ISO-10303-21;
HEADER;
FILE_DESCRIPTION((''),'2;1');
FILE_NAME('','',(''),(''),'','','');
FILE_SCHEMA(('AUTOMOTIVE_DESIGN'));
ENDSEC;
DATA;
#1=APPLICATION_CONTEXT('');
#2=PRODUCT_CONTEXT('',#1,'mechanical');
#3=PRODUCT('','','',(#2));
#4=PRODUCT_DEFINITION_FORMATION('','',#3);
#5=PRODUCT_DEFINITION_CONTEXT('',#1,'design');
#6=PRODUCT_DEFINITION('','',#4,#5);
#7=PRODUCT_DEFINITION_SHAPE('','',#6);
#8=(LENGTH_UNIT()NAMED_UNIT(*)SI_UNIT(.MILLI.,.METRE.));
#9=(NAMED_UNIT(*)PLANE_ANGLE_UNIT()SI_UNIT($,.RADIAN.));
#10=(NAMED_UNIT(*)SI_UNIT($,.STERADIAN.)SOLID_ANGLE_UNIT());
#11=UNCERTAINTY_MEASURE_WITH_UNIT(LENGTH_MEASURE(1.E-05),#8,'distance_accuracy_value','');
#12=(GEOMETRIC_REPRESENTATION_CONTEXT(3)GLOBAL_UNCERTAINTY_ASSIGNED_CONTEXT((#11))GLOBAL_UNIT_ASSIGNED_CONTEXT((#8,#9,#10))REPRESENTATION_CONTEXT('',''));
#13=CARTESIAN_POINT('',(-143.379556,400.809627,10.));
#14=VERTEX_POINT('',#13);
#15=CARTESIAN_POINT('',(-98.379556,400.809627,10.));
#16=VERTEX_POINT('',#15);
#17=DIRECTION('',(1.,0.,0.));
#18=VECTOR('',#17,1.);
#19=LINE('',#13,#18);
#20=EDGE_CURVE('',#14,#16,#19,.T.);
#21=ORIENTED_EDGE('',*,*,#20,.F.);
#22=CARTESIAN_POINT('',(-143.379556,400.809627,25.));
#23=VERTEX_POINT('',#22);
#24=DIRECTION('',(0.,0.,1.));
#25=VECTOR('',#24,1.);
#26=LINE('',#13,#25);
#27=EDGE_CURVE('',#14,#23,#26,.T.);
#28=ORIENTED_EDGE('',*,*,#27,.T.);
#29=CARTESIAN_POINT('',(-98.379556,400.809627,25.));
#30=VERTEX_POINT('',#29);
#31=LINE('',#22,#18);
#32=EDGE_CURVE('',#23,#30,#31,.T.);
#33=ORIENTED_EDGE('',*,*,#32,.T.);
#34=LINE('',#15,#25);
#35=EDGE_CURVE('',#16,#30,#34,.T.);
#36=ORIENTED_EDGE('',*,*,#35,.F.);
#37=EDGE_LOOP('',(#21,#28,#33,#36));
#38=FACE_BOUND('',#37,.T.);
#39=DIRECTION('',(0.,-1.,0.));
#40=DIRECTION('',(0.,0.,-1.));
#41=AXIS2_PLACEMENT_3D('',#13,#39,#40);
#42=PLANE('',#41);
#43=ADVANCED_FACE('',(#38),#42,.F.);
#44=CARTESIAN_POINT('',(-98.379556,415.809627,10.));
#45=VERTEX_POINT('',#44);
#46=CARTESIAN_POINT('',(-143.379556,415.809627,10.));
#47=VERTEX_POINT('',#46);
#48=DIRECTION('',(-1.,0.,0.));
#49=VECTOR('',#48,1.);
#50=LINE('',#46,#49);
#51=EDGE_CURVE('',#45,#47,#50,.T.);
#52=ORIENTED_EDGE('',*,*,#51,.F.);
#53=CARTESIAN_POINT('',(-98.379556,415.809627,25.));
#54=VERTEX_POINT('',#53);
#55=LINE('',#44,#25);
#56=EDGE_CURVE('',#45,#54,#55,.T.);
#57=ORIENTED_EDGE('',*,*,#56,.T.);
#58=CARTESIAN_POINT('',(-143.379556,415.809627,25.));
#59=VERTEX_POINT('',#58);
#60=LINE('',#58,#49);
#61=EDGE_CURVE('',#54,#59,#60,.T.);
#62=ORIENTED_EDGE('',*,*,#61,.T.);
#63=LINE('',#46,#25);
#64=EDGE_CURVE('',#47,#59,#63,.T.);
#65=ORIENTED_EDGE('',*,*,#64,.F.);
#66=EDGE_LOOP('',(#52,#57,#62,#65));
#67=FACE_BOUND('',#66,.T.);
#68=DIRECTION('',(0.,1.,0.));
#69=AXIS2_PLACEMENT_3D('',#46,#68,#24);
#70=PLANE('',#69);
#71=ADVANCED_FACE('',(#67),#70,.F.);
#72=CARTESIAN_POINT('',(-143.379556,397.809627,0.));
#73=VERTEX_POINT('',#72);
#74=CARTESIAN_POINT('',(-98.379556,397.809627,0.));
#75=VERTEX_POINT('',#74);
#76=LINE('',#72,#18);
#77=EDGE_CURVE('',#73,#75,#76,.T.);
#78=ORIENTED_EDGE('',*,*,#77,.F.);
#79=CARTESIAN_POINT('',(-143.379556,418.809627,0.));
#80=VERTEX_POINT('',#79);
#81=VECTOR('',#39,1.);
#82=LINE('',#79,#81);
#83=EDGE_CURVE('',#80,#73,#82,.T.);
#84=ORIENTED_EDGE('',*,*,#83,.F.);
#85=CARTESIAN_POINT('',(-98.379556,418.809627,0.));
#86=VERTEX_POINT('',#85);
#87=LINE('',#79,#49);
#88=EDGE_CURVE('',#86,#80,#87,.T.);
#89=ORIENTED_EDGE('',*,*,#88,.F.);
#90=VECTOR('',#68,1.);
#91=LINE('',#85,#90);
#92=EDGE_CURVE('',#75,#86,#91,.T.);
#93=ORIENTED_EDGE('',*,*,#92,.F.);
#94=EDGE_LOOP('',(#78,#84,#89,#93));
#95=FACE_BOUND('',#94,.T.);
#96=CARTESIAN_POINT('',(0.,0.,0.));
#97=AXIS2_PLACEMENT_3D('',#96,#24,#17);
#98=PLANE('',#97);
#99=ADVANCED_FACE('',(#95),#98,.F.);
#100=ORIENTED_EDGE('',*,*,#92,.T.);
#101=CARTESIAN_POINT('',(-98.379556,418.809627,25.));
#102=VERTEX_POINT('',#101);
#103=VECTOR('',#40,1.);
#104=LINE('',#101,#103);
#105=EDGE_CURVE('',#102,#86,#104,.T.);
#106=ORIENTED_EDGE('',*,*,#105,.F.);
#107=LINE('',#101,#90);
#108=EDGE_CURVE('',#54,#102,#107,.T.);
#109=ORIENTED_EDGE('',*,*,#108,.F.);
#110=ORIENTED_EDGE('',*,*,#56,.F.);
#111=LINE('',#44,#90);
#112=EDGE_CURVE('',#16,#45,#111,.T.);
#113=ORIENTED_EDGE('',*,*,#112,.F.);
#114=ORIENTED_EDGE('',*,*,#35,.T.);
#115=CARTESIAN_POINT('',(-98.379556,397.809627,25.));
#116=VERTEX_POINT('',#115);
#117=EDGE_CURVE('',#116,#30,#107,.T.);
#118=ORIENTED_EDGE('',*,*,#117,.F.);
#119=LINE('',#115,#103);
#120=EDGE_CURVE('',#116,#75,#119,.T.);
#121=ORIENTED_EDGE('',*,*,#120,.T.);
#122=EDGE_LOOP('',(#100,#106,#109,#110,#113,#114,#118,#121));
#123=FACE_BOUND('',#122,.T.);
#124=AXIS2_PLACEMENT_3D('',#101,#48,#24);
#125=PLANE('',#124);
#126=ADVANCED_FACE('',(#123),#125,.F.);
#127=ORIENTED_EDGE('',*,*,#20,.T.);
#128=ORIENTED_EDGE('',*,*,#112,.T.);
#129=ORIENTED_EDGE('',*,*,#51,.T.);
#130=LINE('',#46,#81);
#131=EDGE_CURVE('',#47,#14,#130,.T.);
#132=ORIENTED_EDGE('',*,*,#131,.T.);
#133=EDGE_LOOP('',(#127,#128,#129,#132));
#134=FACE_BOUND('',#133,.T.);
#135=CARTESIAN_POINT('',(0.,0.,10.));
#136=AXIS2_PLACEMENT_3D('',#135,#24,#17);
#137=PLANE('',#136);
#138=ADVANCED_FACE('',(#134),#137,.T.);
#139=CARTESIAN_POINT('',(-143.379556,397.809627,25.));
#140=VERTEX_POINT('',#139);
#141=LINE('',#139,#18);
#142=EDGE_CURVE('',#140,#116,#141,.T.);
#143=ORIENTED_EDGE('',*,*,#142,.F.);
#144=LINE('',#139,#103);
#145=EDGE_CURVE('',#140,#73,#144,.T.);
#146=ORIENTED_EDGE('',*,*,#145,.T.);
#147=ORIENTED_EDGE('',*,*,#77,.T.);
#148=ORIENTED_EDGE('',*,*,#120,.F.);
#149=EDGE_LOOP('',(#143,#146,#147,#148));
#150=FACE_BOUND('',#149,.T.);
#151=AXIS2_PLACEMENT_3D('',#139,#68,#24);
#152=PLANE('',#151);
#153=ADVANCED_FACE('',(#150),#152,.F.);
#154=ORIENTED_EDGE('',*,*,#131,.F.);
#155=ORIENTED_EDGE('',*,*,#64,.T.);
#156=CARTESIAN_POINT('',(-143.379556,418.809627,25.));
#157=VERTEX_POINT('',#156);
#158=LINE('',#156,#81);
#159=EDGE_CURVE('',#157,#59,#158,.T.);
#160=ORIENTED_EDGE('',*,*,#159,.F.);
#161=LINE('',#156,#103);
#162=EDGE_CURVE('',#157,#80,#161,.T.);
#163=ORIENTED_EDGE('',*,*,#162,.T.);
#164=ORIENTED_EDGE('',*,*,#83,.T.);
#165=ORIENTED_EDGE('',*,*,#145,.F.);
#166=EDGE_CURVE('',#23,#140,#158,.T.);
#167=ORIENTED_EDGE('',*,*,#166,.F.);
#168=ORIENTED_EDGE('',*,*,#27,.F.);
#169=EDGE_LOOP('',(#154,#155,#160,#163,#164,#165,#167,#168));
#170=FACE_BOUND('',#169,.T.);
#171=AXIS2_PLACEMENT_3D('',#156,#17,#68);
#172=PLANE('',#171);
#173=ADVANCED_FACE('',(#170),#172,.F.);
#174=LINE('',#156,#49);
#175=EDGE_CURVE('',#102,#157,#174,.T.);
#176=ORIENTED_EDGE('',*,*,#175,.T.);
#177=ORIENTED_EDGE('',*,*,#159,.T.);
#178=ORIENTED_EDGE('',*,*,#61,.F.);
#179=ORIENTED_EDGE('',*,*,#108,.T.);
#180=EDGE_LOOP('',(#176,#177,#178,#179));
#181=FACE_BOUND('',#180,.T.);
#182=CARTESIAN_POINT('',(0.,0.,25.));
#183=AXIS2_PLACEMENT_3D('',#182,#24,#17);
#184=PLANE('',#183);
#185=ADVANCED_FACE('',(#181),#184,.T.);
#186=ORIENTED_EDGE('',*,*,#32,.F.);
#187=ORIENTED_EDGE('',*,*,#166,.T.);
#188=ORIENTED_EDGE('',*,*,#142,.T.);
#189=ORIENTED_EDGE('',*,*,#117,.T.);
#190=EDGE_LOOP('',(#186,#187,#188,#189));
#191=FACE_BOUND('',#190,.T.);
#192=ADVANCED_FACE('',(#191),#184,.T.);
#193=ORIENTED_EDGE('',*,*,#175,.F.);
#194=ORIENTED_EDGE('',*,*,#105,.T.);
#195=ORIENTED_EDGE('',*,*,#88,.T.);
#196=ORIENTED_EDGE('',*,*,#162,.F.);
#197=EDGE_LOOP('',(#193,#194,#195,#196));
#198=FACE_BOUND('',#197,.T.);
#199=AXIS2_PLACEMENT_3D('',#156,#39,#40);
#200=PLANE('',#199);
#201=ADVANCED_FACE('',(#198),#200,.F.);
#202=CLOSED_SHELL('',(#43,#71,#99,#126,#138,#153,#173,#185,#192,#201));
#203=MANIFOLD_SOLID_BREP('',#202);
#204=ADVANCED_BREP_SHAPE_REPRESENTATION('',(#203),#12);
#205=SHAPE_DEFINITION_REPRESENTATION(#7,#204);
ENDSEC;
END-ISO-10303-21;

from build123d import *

# Parameters (mm, degrees)
SKETCH_1_W          = 45
SKETCH_1_H          = 21
EXTRUDE_1_DEPTH     = 25
SKETCH_2_W          = 45
SKETCH_2_H          = 15
CUT_EXTRUDE_1_DEPTH = 15


with BuildPart() as part:
    # 草图1 → 凸台-拉伸1 (new body)
    with BuildSketch(Plane.XY):
        with Locations((-120.87955632, 408.309627253)):
            Rectangle(SKETCH_1_W, SKETCH_1_H)
    extrude(amount=EXTRUDE_1_DEPTH)

    # 草图2 → 切除-拉伸1 (cut)
    with BuildSketch(Plane.XY.offset(25)):
        with Locations((-120.87955632, 408.309627253)):
            Rectangle(SKETCH_2_W, SKETCH_2_H)
    extrude(amount=-CUT_EXTRUDE_1_DEPTH, mode=Mode.SUBTRACT)


solid = part.part
